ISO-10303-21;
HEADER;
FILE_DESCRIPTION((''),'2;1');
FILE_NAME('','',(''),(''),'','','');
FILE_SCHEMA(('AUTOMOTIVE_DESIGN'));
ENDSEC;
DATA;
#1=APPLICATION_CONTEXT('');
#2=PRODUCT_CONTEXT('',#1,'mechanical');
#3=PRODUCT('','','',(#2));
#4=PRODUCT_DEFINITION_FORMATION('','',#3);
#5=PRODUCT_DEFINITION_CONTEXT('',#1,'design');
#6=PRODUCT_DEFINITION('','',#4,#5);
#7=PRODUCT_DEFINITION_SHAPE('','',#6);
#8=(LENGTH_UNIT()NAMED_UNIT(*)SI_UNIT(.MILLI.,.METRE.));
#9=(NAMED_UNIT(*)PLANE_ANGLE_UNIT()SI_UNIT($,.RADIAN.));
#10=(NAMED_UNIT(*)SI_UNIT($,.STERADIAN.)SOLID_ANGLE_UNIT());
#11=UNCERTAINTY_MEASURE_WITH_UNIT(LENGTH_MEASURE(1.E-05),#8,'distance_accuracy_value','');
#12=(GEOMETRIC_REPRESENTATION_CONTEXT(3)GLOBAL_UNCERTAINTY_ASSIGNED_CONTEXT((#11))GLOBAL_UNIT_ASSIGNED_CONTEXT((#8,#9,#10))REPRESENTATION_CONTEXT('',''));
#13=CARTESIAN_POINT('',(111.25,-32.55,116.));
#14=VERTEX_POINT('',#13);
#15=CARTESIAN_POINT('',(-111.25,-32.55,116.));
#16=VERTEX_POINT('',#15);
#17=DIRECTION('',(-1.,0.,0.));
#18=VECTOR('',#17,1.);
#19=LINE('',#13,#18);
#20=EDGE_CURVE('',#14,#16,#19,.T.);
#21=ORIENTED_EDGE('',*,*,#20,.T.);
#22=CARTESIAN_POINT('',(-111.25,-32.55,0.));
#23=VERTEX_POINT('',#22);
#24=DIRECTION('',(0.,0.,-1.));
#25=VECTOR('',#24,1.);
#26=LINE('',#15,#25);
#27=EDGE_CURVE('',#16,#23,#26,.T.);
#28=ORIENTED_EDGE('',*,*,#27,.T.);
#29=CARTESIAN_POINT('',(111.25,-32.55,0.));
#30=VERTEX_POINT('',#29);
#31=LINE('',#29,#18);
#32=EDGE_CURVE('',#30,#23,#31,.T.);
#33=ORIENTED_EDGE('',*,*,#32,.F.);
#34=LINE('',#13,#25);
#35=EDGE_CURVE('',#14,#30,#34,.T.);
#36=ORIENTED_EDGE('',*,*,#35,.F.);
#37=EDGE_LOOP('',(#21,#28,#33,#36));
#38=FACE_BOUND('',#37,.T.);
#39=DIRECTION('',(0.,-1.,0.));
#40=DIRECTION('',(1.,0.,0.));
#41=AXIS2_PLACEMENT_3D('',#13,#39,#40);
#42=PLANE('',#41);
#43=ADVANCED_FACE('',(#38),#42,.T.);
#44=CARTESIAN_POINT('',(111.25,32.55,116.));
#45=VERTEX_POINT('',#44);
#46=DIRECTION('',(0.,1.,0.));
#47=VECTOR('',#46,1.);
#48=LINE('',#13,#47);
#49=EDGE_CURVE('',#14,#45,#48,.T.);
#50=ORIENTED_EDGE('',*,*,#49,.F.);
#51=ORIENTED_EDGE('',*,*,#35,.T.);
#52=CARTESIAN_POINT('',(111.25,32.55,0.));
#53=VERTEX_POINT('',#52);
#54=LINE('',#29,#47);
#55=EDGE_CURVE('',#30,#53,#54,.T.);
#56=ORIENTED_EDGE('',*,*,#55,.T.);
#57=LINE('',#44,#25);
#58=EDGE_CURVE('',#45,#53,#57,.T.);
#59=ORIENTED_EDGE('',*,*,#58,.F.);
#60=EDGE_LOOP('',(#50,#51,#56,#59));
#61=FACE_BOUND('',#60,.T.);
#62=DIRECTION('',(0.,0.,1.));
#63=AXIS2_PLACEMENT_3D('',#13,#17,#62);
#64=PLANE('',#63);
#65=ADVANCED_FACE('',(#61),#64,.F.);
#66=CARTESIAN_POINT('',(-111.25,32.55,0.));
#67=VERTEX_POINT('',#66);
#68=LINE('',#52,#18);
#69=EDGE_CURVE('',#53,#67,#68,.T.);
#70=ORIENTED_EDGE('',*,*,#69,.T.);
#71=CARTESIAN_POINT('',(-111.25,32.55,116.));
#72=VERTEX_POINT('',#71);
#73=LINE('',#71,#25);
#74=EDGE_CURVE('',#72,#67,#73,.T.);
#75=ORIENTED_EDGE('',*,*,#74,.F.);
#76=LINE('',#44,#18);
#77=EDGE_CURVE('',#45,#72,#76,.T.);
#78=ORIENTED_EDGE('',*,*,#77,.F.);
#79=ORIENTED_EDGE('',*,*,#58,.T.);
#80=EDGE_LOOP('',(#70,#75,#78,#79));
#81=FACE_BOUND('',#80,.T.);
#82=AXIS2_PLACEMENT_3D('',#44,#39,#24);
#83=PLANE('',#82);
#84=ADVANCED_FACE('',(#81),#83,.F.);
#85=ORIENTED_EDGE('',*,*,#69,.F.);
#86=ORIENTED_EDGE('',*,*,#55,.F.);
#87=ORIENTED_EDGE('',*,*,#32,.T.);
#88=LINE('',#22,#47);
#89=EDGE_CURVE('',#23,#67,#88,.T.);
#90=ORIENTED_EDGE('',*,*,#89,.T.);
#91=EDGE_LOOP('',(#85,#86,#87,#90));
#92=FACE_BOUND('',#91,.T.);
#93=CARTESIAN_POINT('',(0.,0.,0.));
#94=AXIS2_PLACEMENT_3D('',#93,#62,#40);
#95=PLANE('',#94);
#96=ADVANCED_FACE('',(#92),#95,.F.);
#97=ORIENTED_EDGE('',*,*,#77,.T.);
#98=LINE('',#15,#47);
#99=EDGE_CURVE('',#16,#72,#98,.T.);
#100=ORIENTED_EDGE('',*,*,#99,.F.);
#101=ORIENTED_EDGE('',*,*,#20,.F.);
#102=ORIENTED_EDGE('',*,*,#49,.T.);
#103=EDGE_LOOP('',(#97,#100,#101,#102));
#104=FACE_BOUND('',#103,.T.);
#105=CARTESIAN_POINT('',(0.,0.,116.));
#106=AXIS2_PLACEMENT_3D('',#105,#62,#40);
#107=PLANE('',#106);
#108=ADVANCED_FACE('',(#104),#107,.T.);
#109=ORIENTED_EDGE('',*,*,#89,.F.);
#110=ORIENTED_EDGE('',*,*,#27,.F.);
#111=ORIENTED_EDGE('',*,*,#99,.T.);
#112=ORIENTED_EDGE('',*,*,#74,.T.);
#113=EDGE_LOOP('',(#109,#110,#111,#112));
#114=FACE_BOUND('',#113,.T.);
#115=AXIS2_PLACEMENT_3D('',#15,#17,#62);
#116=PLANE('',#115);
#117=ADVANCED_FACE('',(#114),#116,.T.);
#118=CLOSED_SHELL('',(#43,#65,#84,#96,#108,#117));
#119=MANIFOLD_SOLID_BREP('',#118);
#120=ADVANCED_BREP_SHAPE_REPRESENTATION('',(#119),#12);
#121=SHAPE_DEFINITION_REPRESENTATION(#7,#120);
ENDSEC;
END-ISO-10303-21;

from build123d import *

# Parameters (mm, degrees)
SKETCH_3_W      = 222.5
SKETCH_3_H      = 65.1
EXTRUDE_1_DEPTH = 116


with BuildPart() as part:
    # 草图3 → 凸台-拉伸1 (new body)
    with BuildSketch(Plane.XY):
        Rectangle(SKETCH_3_W, SKETCH_3_H)
    extrude(amount=EXTRUDE_1_DEPTH)


solid = part.part
